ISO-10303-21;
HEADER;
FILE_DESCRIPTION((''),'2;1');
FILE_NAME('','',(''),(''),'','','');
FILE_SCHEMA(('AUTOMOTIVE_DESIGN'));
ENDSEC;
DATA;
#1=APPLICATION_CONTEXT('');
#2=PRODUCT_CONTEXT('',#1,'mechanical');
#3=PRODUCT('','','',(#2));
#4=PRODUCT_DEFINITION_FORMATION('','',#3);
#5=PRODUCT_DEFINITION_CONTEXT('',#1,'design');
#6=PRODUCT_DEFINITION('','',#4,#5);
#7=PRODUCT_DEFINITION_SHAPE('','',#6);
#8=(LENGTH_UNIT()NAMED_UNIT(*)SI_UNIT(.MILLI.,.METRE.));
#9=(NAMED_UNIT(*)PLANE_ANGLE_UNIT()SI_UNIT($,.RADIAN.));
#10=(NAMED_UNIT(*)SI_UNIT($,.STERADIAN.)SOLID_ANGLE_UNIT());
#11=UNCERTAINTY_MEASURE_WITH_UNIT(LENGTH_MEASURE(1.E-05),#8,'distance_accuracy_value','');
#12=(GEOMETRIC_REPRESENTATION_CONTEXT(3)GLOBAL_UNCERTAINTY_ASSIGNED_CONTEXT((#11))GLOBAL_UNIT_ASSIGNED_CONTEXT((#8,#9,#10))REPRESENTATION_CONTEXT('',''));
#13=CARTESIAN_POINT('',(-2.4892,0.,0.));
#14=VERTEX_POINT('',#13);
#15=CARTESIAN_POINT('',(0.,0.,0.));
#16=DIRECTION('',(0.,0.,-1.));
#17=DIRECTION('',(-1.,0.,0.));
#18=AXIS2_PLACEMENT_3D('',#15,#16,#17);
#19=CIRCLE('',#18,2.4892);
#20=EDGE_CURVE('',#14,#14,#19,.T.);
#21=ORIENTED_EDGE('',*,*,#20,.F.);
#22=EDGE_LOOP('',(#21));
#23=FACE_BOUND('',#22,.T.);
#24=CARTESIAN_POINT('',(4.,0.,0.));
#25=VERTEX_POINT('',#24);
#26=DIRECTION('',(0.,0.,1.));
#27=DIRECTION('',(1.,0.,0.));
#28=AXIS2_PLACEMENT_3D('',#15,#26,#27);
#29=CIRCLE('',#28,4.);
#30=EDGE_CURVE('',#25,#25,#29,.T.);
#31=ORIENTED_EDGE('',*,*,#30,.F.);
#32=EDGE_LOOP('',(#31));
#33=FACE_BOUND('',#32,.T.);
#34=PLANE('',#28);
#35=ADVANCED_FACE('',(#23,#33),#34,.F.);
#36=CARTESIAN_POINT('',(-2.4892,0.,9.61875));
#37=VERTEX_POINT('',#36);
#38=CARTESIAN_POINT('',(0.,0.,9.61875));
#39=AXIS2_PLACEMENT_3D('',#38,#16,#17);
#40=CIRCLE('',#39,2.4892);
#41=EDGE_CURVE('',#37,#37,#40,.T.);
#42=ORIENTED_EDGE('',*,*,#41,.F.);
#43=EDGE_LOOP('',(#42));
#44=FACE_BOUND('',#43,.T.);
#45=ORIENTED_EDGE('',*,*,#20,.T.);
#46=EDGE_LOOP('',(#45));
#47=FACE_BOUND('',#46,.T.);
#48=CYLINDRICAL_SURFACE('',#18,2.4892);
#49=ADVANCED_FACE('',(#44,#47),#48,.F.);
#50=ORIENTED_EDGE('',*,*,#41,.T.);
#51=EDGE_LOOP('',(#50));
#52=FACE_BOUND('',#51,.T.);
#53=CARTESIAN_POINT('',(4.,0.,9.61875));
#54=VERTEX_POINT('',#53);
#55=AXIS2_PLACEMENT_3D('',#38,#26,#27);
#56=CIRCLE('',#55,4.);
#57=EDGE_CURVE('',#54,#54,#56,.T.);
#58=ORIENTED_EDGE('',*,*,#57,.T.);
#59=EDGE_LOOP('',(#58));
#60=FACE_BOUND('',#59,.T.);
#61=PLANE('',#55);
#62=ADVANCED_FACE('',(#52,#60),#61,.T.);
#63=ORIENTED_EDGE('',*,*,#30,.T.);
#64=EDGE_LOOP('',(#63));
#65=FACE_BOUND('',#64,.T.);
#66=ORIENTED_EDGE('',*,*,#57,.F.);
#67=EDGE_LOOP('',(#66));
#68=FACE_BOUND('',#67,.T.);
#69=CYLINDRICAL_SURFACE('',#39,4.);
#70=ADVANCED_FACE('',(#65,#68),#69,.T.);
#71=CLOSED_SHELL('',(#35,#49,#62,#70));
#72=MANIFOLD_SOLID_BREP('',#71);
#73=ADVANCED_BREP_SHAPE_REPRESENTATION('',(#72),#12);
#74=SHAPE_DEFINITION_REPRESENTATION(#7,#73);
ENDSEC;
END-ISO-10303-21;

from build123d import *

# Parameters (mm, degrees)
SKETCH1_R              = 4
BOSS_EXTRUDE1_DEPTH    = 9.61875
F_10_CLEARANCE_HOLE1_D = 4.9784


with BuildPart() as part:
    # Sketch1 → Boss-Extrude1 (new body)
    with BuildSketch(Plane.XY):
        Circle(SKETCH1_R)
    extrude(amount=BOSS_EXTRUDE1_DEPTH)

    # #10 Clearance Hole1 (through all)
    with Locations(Plane(origin=(0, 0, 0), x_dir=(-1, 0, 0), z_dir=(0, 0, -1))):
        with Locations((0, 0)):
            Hole(F_10_CLEARANCE_HOLE1_D / 2)


solid = part.part
